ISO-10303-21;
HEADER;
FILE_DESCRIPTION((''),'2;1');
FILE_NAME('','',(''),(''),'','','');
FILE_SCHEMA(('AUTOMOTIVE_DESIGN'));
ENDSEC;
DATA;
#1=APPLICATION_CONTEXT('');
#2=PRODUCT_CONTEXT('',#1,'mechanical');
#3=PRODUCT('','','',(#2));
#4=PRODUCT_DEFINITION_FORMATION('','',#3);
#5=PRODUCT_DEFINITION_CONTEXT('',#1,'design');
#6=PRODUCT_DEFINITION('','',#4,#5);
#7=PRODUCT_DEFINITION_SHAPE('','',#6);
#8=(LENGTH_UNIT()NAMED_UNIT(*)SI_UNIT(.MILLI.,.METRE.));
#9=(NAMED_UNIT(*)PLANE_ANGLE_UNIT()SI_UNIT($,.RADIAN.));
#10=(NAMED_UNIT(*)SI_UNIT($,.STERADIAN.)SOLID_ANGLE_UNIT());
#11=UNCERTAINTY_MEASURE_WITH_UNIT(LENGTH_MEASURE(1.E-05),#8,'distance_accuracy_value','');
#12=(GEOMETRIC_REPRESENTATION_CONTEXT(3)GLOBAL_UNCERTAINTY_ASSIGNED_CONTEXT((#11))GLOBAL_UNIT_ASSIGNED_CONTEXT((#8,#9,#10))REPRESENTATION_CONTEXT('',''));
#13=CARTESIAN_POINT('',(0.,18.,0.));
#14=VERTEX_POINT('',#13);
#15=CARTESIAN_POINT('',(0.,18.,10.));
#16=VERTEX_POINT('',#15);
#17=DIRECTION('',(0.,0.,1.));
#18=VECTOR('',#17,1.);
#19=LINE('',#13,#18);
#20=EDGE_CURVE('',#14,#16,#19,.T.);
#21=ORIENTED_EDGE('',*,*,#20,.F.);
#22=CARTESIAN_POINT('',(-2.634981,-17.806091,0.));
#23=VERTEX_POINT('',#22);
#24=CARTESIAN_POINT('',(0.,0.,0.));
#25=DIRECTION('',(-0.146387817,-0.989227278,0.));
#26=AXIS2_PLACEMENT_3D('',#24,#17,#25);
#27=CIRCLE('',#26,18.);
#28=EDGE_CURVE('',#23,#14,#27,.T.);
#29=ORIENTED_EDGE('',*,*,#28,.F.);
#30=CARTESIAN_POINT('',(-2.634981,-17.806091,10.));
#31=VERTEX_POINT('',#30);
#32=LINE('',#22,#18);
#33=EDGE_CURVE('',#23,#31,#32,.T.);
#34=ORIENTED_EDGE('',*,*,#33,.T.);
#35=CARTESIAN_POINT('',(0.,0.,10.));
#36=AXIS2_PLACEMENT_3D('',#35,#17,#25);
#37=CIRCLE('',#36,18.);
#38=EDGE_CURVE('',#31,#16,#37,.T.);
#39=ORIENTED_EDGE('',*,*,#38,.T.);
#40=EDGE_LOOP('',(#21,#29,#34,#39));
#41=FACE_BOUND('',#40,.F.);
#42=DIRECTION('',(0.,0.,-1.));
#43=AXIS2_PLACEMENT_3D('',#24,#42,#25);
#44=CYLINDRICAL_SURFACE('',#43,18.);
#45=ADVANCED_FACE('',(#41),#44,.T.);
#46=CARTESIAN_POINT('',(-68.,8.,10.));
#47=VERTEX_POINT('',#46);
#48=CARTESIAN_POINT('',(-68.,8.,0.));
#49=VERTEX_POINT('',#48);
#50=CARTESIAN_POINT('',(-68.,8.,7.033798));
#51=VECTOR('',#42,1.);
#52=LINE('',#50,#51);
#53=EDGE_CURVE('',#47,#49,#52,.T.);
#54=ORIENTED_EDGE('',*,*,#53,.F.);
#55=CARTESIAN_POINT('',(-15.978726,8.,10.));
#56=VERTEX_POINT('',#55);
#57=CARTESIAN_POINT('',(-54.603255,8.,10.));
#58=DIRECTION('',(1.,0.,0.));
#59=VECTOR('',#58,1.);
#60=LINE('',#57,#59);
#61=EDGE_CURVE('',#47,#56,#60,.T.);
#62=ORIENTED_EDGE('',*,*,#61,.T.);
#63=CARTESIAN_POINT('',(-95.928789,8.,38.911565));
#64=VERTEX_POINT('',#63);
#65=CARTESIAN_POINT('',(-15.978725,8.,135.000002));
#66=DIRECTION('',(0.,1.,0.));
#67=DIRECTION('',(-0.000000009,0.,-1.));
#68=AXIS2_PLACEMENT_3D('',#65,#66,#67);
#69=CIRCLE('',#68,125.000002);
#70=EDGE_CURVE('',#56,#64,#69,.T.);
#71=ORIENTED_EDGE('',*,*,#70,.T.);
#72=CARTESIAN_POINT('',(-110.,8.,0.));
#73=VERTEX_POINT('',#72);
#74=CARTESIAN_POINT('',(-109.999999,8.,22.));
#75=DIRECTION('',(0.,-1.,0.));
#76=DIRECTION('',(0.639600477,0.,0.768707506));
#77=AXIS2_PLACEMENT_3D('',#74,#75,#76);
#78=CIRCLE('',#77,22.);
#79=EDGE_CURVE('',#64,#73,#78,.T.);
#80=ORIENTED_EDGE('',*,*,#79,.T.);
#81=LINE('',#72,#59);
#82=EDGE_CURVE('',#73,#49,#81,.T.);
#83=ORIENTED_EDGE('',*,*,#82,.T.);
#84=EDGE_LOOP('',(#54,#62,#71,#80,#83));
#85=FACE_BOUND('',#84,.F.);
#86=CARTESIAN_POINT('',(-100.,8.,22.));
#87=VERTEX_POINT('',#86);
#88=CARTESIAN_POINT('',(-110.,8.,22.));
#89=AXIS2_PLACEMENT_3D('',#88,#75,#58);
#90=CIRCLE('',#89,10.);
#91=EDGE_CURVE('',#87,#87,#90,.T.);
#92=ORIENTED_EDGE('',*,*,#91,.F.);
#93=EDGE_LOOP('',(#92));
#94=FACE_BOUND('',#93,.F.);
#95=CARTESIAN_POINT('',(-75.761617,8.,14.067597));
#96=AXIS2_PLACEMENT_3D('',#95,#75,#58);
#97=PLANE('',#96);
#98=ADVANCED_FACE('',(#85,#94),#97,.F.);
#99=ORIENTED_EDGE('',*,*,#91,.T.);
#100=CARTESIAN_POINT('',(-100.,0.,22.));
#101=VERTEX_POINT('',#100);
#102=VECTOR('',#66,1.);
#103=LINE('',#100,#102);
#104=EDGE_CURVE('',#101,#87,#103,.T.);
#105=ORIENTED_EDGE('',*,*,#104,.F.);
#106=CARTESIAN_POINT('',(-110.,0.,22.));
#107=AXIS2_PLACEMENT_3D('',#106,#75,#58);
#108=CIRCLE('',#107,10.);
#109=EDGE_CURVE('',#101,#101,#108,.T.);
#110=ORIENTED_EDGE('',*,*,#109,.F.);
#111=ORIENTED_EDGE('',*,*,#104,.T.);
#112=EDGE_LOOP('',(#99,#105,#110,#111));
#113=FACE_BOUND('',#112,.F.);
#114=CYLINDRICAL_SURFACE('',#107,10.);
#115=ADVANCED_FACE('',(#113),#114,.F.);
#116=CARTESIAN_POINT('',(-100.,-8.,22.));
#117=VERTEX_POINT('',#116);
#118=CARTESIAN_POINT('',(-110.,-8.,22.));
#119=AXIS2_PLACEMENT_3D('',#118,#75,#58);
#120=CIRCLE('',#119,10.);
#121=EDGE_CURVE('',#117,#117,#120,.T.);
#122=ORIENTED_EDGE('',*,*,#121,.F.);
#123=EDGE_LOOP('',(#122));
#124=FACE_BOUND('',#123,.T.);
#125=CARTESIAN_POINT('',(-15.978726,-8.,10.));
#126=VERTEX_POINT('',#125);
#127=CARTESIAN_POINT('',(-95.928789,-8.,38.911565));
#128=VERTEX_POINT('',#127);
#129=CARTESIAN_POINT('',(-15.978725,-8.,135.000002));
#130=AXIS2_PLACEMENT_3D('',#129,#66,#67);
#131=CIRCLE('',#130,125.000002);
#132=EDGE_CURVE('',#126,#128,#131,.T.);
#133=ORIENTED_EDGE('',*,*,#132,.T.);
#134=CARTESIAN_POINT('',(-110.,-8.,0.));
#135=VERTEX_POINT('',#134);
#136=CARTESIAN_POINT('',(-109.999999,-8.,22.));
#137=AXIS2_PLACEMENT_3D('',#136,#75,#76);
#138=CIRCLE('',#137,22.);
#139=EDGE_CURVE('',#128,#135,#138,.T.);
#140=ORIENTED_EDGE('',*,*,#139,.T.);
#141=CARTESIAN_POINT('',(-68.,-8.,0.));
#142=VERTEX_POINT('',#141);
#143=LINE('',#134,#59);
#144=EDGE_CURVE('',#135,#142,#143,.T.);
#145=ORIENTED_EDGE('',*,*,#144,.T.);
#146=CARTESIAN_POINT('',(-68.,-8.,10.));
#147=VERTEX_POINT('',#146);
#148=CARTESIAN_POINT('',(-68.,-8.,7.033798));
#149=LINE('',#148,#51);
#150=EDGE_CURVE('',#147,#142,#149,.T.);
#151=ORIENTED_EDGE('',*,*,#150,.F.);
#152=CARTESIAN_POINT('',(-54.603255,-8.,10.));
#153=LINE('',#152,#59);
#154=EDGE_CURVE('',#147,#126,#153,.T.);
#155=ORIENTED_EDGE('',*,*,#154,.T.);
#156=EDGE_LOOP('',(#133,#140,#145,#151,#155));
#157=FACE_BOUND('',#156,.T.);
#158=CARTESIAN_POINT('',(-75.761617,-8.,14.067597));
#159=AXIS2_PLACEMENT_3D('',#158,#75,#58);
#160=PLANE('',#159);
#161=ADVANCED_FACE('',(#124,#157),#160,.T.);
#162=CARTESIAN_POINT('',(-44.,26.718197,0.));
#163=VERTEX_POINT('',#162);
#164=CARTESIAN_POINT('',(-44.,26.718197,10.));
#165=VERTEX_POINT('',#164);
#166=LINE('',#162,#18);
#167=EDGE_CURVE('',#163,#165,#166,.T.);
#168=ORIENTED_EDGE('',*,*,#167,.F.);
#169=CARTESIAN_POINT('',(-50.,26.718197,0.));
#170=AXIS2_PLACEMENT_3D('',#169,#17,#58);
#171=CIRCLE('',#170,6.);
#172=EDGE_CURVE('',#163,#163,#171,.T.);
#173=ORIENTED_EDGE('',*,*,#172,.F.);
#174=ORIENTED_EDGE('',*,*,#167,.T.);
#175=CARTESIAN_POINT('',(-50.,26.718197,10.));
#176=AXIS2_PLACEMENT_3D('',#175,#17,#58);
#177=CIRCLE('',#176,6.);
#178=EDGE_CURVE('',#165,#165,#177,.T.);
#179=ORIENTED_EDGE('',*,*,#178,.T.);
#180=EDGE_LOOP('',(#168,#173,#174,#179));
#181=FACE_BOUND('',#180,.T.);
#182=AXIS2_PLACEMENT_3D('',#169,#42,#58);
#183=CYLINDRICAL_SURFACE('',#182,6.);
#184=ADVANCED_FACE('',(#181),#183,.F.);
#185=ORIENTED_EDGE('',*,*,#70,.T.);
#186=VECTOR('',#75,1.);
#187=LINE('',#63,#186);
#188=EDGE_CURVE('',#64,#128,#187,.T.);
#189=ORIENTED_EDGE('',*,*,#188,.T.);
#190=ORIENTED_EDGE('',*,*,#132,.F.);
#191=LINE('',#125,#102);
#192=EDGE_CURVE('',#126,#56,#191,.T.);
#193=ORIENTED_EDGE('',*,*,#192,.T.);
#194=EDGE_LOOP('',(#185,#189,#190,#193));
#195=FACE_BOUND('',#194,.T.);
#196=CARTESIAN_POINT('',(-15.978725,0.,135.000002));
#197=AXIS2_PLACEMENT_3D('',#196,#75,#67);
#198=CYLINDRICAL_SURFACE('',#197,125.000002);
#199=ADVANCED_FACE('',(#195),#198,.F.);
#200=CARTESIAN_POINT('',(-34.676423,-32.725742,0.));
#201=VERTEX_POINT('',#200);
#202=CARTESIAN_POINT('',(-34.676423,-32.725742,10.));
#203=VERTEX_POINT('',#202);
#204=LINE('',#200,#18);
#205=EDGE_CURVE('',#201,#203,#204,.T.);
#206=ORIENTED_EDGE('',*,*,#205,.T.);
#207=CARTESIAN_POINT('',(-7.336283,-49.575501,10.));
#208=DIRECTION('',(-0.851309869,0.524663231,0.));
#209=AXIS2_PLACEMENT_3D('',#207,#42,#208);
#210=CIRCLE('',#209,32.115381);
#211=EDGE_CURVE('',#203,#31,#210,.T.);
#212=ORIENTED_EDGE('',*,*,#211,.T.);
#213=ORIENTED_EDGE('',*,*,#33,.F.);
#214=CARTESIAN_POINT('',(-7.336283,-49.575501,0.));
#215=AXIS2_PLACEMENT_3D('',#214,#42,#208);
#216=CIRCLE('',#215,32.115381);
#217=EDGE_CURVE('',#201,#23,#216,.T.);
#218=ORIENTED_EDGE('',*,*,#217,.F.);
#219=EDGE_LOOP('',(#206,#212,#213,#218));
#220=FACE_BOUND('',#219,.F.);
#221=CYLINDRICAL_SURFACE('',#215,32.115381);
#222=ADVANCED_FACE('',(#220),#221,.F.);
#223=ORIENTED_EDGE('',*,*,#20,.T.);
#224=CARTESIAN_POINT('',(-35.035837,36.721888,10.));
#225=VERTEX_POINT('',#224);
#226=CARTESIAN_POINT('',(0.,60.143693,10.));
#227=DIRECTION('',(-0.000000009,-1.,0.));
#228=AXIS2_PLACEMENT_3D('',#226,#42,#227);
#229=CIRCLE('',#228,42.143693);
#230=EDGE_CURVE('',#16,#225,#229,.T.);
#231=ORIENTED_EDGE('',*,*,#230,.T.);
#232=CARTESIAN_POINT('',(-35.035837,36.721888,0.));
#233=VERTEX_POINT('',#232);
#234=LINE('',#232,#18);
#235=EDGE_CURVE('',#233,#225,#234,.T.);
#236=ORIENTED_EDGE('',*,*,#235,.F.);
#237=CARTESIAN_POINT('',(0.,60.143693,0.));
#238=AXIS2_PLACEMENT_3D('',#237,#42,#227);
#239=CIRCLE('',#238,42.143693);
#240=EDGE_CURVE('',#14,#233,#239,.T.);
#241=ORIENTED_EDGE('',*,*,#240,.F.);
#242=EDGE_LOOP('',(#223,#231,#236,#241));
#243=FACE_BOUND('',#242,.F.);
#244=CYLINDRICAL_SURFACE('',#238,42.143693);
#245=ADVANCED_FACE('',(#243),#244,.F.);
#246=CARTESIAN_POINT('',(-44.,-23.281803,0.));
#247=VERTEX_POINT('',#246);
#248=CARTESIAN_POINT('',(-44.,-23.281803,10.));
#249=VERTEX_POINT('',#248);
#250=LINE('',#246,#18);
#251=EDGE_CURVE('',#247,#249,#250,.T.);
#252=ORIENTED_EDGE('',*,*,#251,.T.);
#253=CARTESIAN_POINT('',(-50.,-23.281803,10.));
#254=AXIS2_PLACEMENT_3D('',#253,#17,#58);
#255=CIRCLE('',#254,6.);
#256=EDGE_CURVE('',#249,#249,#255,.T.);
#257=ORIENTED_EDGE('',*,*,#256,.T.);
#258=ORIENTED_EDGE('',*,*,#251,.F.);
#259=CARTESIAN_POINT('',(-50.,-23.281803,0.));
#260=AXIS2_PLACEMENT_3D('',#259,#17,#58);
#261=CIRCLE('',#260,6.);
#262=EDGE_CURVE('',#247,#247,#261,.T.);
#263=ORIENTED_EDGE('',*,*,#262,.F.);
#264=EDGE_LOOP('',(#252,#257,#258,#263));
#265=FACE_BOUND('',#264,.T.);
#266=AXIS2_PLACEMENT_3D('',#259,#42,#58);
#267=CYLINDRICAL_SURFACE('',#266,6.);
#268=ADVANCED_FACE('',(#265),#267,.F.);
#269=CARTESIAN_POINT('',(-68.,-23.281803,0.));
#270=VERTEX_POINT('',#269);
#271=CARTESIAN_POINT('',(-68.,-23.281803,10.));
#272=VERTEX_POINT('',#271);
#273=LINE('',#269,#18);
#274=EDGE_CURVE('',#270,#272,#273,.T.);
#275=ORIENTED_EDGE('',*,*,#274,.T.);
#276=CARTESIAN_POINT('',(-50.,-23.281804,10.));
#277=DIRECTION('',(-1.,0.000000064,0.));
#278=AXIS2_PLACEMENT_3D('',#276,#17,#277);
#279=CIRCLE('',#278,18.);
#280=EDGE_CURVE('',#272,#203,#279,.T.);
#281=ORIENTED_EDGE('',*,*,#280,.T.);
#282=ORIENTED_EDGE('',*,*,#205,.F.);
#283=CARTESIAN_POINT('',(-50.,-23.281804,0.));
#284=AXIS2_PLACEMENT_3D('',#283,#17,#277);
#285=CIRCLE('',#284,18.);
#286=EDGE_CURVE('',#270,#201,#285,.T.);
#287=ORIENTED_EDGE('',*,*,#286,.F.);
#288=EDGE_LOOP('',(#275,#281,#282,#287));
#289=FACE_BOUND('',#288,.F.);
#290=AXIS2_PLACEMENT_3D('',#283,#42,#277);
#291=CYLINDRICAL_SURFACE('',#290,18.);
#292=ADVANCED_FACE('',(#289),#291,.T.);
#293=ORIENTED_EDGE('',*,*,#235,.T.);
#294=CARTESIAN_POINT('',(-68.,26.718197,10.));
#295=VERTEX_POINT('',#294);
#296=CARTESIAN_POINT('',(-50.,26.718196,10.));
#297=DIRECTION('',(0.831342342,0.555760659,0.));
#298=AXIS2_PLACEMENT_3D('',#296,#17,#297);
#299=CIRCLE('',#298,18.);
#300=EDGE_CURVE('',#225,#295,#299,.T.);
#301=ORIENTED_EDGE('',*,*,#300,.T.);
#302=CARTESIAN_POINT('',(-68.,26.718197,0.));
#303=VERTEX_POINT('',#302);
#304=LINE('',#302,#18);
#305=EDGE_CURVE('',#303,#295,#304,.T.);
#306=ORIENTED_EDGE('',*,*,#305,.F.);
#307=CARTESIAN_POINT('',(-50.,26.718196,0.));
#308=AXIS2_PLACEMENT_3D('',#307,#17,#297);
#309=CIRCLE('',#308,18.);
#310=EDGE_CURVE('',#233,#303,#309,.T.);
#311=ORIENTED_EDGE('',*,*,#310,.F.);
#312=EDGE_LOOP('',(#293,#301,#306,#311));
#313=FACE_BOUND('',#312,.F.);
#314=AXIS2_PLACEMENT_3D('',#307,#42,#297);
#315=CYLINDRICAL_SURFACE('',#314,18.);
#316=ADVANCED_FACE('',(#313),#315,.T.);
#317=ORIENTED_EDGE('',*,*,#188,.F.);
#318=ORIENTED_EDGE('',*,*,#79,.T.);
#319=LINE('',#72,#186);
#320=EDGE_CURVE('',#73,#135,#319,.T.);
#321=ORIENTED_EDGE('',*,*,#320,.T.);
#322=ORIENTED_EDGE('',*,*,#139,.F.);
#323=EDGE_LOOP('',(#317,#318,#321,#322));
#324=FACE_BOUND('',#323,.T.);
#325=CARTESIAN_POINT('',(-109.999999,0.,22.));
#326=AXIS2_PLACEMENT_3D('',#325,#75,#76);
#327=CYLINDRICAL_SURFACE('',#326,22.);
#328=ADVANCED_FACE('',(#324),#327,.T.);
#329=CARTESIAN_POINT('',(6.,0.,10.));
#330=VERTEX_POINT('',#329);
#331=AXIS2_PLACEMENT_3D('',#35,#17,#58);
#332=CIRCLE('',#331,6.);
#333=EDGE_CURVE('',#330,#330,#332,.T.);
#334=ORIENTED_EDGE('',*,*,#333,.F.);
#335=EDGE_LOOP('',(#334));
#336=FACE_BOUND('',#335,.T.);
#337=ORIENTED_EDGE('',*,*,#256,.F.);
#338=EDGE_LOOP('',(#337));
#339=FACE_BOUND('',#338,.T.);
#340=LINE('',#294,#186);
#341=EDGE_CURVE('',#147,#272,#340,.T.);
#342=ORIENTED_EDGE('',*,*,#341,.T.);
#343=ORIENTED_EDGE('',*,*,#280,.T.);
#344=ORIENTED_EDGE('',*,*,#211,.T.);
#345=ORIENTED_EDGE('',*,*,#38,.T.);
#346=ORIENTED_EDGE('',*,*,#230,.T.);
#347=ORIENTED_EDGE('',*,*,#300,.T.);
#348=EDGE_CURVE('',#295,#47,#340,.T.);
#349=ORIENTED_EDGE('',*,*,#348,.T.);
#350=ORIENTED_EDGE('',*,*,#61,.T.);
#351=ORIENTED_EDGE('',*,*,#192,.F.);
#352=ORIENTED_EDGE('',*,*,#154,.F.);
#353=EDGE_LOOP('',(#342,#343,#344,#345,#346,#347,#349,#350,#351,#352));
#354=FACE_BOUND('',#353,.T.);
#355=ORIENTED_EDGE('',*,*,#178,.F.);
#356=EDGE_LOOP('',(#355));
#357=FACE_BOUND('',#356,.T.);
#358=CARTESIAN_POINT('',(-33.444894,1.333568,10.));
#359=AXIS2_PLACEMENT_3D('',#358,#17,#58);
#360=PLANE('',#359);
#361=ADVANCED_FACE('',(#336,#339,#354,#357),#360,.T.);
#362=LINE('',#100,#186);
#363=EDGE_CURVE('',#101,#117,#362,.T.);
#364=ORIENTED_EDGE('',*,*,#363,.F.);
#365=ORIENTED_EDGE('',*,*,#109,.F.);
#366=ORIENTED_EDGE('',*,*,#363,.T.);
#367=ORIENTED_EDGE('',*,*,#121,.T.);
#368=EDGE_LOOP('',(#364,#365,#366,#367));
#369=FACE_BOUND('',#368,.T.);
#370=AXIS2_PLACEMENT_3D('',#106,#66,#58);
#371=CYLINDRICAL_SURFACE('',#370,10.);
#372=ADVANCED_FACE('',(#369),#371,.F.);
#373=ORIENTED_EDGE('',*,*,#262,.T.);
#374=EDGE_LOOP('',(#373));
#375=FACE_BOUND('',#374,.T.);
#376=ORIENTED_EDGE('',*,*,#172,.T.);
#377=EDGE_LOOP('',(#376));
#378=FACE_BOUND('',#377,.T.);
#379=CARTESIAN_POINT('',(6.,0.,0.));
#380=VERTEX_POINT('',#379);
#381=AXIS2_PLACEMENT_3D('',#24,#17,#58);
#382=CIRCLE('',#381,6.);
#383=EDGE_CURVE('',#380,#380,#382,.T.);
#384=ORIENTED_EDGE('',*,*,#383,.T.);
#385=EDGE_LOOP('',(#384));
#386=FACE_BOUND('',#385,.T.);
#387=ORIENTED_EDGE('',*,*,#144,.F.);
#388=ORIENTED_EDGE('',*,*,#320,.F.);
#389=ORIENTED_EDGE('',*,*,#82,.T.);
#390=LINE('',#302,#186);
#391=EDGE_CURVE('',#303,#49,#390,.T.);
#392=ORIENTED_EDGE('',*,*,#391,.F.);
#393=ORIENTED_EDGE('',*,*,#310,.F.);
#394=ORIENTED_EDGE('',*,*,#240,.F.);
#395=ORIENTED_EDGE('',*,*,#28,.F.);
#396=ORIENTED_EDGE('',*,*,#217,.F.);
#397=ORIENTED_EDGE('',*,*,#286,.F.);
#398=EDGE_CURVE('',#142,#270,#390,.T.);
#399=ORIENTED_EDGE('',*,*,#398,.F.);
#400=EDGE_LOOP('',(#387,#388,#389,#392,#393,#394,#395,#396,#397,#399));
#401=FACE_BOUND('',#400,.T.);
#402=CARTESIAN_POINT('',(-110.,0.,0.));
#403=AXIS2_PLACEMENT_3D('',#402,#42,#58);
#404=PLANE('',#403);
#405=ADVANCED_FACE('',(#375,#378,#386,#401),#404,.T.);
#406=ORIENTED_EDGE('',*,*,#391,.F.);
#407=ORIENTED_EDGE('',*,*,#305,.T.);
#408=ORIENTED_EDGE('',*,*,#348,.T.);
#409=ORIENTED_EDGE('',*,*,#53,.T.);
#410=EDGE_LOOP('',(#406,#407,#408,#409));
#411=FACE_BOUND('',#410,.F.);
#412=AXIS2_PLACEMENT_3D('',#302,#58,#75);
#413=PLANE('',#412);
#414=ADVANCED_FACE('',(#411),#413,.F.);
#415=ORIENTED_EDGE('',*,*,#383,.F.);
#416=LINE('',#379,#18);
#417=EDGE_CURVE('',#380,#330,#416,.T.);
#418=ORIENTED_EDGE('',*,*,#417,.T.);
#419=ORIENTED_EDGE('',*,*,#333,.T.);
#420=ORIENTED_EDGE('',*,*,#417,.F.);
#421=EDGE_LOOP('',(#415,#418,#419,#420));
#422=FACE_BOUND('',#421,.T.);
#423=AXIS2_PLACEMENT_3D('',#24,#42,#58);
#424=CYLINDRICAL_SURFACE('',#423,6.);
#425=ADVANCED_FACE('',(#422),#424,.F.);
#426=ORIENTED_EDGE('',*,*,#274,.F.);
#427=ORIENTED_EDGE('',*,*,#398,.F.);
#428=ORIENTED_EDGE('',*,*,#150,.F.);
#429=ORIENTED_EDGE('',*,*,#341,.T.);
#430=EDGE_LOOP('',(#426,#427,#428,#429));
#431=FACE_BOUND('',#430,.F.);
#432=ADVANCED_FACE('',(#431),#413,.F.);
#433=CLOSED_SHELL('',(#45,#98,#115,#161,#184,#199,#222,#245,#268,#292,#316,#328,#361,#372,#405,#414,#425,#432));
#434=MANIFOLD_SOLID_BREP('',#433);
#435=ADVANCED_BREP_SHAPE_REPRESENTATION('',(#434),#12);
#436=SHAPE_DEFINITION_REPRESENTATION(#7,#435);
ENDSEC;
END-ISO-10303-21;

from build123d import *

# Parameters (mm, degrees)
F0_R          = 6
F1_DEPTH      = 10
F2_R          = 10
F3_DEPTH      = 8
F3_DEPTH_BACK = 8


with BuildPart() as f1:
    # F0 (on Top) → F1 (new body)
    with BuildSketch(Plane.XY):
        with BuildLine():
            ThreePointArc((-34.676423, -32.725742), (-20.892766, -20.461597), (-2.634981, -17.806091))
            ThreePointArc((-2.634981, -17.806091), (17.951457, -1.321053), (0, 18))
            ThreePointArc((0, 18), (-19.862144, 22.974), (-35.035837, 36.721888))
            ThreePointArc((-35.035837, 36.721888), (-55.227096, 43.942524), (-68, 26.718197))
            Line((-68, 26.718197), (-68, -23.281803))
            ThreePointArc((-68, -23.281803), (-54.907933, -40.599777), (-34.676423, -32.725742))
        make_face()
        with Locations((-50, -23.281803)):
            Circle(F0_R, mode=Mode.SUBTRACT)
        Circle(F0_R, mode=Mode.SUBTRACT)
        with Locations((-50, 26.718197)):
            Circle(F0_R, mode=Mode.SUBTRACT)
    extrude(amount=F1_DEPTH)

    # F2 (on Front) → F3 (join, two sides)
    with BuildSketch(Plane.XZ) as f3_sk:
        with BuildLine():
            ThreePointArc((-15.978726, 10), (-58.487228, 17.449895), (-95.928789, 38.911565))
            ThreePointArc((-95.928789, 38.911565), (-130.688818, 29.481496), (-110, 0))
            Line((-110, 0), (-15.978726, 0))
            Line((-15.978726, 0), (-15.978726, 10))
        make_face()
        with Locations((-110, 22)):
            Circle(F2_R, mode=Mode.SUBTRACT)
    extrude(amount=F3_DEPTH)
    extrude(f3_sk.sketch, amount=-F3_DEPTH_BACK)


solid = f1.part
